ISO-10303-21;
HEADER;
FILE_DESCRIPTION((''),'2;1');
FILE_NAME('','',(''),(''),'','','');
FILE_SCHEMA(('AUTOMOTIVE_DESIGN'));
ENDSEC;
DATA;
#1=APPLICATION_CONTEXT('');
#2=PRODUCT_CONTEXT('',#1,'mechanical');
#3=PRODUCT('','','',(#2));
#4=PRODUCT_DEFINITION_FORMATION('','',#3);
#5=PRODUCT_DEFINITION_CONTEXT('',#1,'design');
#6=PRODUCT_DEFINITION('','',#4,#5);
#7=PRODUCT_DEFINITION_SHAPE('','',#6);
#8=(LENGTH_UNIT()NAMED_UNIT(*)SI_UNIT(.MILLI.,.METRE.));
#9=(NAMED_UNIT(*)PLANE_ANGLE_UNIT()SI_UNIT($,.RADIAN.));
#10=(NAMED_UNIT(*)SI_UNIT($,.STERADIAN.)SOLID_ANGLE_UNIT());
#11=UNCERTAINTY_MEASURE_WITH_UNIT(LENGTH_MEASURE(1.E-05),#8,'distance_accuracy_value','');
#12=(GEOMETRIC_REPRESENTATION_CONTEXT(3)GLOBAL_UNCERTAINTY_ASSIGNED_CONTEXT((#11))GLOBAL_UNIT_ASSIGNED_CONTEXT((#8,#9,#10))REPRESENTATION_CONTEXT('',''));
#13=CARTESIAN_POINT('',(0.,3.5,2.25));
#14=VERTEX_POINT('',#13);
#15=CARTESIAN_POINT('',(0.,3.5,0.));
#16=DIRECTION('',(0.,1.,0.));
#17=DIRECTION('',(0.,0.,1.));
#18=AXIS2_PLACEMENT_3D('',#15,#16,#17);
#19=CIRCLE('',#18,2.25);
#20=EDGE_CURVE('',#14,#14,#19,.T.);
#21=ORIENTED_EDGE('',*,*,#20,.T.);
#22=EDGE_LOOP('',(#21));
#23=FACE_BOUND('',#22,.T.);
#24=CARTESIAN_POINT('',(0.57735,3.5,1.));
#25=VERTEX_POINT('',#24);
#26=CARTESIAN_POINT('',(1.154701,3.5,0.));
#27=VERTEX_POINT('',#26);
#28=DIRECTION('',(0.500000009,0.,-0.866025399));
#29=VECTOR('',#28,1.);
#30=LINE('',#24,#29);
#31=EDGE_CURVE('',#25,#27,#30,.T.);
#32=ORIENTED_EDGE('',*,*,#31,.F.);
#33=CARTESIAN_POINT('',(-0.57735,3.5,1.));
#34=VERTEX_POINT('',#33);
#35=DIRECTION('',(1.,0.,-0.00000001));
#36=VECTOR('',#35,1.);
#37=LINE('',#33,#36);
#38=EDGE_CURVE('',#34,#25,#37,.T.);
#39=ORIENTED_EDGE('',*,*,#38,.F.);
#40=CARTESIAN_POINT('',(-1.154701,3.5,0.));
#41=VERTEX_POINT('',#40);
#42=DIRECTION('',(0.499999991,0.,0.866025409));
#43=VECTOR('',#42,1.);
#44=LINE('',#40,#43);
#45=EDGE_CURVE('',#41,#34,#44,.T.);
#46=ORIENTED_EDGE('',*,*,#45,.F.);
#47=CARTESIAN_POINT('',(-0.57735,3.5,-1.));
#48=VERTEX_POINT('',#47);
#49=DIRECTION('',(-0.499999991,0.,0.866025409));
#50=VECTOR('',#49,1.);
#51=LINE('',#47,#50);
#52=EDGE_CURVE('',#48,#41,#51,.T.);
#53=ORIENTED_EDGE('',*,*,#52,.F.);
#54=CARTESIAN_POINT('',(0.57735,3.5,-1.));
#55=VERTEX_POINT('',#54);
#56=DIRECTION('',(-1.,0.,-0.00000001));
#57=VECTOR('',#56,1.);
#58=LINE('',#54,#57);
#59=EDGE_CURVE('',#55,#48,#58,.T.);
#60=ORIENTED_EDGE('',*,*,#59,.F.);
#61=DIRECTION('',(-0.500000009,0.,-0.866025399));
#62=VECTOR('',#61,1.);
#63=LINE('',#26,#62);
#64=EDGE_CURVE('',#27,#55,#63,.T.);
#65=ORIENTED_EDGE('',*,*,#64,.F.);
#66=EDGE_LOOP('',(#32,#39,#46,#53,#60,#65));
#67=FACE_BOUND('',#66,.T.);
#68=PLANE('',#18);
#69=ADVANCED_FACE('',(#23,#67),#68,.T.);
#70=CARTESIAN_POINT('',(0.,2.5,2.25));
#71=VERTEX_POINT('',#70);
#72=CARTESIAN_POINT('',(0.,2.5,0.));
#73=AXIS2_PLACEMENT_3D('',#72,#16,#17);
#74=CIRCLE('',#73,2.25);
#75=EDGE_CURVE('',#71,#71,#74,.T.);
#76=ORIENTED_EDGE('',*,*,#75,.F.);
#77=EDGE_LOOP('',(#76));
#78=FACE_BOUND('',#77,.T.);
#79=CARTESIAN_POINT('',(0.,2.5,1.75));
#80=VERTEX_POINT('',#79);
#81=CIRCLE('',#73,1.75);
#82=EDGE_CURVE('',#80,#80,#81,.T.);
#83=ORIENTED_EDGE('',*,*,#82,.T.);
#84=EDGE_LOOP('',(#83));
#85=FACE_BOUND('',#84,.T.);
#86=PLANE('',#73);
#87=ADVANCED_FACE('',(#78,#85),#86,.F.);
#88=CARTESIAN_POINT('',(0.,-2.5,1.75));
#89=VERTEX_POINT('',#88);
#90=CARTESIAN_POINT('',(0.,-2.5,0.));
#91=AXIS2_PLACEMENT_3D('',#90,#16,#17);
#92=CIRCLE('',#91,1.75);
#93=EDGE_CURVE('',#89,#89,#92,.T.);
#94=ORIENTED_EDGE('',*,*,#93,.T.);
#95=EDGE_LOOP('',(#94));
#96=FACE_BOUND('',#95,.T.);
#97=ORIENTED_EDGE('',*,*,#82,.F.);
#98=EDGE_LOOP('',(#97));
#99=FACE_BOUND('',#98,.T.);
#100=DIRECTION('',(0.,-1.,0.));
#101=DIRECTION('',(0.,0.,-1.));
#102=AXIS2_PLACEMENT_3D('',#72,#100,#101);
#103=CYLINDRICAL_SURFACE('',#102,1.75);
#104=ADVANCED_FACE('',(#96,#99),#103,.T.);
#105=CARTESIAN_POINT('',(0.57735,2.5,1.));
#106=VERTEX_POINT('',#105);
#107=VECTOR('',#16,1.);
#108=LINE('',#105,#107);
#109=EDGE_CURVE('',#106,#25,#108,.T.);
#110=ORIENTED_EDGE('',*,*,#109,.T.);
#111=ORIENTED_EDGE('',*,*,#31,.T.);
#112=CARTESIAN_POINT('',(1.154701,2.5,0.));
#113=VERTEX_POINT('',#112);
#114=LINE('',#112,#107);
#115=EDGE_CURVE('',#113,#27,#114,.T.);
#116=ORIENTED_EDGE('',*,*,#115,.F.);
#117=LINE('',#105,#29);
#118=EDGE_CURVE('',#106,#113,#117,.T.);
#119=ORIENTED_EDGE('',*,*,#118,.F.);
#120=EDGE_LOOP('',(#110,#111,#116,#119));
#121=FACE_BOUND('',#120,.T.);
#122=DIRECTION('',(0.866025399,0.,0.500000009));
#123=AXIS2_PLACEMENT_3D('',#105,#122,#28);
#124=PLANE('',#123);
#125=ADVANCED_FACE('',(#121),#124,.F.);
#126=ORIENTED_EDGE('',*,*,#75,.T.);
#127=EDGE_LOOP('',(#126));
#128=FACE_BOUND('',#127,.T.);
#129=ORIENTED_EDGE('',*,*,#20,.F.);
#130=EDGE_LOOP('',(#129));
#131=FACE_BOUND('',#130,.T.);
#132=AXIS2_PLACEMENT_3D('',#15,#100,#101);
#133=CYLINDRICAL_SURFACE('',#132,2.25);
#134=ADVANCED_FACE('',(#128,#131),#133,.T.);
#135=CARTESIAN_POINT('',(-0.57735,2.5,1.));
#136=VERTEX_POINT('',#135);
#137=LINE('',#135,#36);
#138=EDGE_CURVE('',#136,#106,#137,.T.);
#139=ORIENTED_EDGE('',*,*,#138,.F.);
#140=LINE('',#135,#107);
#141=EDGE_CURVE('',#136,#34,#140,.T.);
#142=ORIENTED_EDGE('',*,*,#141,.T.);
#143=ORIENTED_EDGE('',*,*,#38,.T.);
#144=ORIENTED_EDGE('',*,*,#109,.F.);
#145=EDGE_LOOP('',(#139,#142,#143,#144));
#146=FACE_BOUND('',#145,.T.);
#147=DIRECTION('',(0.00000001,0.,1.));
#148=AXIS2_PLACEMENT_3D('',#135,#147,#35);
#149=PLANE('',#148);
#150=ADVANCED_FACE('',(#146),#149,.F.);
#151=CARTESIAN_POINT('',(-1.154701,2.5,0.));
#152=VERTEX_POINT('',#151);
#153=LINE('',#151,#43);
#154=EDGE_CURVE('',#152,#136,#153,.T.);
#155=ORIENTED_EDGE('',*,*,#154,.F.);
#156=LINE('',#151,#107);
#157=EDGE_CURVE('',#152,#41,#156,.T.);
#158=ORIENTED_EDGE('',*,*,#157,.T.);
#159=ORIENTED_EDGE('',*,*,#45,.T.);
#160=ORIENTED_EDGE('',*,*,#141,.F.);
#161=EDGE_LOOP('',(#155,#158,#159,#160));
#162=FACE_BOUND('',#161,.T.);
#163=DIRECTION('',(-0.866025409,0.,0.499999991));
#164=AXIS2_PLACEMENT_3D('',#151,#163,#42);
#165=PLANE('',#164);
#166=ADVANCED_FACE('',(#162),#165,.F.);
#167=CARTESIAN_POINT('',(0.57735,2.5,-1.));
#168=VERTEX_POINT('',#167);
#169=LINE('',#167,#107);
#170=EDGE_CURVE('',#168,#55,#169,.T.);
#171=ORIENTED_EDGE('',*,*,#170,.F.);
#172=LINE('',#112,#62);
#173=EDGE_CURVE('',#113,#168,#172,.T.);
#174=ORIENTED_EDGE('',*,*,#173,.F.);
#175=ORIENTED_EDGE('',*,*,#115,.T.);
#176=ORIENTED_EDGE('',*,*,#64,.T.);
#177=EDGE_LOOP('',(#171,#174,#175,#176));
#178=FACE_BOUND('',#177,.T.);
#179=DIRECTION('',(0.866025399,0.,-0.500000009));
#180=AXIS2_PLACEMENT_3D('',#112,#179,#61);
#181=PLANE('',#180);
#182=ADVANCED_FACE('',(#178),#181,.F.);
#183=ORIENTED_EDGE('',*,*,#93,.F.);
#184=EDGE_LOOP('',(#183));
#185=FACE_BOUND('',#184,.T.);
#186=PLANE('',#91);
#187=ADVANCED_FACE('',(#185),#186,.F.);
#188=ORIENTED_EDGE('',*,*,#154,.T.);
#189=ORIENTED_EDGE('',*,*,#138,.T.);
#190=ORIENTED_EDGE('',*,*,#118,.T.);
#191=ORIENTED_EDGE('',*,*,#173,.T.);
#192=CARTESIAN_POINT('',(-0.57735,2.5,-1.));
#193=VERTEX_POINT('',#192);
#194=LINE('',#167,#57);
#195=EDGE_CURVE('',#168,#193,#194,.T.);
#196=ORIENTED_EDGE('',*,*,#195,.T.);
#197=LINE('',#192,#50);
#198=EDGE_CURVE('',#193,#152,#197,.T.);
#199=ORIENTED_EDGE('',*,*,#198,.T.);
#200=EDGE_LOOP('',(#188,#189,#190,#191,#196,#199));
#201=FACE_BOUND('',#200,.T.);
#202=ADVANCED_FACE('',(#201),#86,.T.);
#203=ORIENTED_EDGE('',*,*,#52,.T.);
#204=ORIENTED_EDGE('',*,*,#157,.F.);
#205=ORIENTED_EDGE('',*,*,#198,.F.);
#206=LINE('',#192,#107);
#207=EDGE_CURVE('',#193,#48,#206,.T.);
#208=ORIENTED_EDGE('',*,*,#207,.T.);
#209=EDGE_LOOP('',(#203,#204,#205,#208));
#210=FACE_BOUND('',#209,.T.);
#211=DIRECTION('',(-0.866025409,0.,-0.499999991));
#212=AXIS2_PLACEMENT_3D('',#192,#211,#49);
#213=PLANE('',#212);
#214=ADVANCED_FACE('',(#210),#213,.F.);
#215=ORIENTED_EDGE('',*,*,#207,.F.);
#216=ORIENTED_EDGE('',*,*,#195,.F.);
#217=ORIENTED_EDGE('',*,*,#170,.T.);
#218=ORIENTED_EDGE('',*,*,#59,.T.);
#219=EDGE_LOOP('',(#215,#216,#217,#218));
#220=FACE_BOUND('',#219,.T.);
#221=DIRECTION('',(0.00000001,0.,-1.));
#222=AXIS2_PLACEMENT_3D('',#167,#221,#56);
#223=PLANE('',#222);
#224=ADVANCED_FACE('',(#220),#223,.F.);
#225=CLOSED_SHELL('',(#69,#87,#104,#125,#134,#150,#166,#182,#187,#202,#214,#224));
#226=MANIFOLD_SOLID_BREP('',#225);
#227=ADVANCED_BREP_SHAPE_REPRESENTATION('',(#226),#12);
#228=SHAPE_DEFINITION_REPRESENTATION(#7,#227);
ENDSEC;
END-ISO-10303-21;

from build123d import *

# Parameters (mm, degrees)
SKETCH1_R           = 1.75
BOSS_EXTRUDE1_DEPTH = 2.5
SKETCH2_R           = 2.25
BOSS_EXTRUDE2_DEPTH = 1
CUT_EXTRUDE1_DEPTH  = 1


with BuildPart() as part:
    # Sketch1 → Boss-Extrude1 (new, symmetric)
    with BuildSketch(Plane(origin=(0, 0, 0), x_dir=(1, 0, 0), z_dir=(0, 1, 0))):
        with Locations(Location((0, 0, 0), (0, 0, 270))):
            Circle(SKETCH1_R)
    extrude(amount=BOSS_EXTRUDE1_DEPTH, both=True)

    # Sketch2 → Boss-Extrude2 (add)
    with BuildSketch(Plane(origin=(0, 2.5, 0), x_dir=(1, 0, 0), z_dir=(0, 1, 0))):
        with Locations(Location((0, 0, 0), (0, 0, 270))):
            Circle(SKETCH2_R)
    extrude(amount=BOSS_EXTRUDE2_DEPTH)

    # Sketch3 → Cut-Extrude1 (cut)
    with BuildSketch(Plane(origin=(0, 3.5, 0), x_dir=(1, 0, 0), z_dir=(0, 1, 0))):
        Polygon((1.154700545, 0), (0.577350266, 0.999999994), (-0.577350273, 1.000000006), (-1.154700532, 0), (-0.577350273, -1.000000006), (0.577350266, -0.999999994), align=None)
    extrude(amount=-CUT_EXTRUDE1_DEPTH, mode=Mode.SUBTRACT)


solid = part.part
